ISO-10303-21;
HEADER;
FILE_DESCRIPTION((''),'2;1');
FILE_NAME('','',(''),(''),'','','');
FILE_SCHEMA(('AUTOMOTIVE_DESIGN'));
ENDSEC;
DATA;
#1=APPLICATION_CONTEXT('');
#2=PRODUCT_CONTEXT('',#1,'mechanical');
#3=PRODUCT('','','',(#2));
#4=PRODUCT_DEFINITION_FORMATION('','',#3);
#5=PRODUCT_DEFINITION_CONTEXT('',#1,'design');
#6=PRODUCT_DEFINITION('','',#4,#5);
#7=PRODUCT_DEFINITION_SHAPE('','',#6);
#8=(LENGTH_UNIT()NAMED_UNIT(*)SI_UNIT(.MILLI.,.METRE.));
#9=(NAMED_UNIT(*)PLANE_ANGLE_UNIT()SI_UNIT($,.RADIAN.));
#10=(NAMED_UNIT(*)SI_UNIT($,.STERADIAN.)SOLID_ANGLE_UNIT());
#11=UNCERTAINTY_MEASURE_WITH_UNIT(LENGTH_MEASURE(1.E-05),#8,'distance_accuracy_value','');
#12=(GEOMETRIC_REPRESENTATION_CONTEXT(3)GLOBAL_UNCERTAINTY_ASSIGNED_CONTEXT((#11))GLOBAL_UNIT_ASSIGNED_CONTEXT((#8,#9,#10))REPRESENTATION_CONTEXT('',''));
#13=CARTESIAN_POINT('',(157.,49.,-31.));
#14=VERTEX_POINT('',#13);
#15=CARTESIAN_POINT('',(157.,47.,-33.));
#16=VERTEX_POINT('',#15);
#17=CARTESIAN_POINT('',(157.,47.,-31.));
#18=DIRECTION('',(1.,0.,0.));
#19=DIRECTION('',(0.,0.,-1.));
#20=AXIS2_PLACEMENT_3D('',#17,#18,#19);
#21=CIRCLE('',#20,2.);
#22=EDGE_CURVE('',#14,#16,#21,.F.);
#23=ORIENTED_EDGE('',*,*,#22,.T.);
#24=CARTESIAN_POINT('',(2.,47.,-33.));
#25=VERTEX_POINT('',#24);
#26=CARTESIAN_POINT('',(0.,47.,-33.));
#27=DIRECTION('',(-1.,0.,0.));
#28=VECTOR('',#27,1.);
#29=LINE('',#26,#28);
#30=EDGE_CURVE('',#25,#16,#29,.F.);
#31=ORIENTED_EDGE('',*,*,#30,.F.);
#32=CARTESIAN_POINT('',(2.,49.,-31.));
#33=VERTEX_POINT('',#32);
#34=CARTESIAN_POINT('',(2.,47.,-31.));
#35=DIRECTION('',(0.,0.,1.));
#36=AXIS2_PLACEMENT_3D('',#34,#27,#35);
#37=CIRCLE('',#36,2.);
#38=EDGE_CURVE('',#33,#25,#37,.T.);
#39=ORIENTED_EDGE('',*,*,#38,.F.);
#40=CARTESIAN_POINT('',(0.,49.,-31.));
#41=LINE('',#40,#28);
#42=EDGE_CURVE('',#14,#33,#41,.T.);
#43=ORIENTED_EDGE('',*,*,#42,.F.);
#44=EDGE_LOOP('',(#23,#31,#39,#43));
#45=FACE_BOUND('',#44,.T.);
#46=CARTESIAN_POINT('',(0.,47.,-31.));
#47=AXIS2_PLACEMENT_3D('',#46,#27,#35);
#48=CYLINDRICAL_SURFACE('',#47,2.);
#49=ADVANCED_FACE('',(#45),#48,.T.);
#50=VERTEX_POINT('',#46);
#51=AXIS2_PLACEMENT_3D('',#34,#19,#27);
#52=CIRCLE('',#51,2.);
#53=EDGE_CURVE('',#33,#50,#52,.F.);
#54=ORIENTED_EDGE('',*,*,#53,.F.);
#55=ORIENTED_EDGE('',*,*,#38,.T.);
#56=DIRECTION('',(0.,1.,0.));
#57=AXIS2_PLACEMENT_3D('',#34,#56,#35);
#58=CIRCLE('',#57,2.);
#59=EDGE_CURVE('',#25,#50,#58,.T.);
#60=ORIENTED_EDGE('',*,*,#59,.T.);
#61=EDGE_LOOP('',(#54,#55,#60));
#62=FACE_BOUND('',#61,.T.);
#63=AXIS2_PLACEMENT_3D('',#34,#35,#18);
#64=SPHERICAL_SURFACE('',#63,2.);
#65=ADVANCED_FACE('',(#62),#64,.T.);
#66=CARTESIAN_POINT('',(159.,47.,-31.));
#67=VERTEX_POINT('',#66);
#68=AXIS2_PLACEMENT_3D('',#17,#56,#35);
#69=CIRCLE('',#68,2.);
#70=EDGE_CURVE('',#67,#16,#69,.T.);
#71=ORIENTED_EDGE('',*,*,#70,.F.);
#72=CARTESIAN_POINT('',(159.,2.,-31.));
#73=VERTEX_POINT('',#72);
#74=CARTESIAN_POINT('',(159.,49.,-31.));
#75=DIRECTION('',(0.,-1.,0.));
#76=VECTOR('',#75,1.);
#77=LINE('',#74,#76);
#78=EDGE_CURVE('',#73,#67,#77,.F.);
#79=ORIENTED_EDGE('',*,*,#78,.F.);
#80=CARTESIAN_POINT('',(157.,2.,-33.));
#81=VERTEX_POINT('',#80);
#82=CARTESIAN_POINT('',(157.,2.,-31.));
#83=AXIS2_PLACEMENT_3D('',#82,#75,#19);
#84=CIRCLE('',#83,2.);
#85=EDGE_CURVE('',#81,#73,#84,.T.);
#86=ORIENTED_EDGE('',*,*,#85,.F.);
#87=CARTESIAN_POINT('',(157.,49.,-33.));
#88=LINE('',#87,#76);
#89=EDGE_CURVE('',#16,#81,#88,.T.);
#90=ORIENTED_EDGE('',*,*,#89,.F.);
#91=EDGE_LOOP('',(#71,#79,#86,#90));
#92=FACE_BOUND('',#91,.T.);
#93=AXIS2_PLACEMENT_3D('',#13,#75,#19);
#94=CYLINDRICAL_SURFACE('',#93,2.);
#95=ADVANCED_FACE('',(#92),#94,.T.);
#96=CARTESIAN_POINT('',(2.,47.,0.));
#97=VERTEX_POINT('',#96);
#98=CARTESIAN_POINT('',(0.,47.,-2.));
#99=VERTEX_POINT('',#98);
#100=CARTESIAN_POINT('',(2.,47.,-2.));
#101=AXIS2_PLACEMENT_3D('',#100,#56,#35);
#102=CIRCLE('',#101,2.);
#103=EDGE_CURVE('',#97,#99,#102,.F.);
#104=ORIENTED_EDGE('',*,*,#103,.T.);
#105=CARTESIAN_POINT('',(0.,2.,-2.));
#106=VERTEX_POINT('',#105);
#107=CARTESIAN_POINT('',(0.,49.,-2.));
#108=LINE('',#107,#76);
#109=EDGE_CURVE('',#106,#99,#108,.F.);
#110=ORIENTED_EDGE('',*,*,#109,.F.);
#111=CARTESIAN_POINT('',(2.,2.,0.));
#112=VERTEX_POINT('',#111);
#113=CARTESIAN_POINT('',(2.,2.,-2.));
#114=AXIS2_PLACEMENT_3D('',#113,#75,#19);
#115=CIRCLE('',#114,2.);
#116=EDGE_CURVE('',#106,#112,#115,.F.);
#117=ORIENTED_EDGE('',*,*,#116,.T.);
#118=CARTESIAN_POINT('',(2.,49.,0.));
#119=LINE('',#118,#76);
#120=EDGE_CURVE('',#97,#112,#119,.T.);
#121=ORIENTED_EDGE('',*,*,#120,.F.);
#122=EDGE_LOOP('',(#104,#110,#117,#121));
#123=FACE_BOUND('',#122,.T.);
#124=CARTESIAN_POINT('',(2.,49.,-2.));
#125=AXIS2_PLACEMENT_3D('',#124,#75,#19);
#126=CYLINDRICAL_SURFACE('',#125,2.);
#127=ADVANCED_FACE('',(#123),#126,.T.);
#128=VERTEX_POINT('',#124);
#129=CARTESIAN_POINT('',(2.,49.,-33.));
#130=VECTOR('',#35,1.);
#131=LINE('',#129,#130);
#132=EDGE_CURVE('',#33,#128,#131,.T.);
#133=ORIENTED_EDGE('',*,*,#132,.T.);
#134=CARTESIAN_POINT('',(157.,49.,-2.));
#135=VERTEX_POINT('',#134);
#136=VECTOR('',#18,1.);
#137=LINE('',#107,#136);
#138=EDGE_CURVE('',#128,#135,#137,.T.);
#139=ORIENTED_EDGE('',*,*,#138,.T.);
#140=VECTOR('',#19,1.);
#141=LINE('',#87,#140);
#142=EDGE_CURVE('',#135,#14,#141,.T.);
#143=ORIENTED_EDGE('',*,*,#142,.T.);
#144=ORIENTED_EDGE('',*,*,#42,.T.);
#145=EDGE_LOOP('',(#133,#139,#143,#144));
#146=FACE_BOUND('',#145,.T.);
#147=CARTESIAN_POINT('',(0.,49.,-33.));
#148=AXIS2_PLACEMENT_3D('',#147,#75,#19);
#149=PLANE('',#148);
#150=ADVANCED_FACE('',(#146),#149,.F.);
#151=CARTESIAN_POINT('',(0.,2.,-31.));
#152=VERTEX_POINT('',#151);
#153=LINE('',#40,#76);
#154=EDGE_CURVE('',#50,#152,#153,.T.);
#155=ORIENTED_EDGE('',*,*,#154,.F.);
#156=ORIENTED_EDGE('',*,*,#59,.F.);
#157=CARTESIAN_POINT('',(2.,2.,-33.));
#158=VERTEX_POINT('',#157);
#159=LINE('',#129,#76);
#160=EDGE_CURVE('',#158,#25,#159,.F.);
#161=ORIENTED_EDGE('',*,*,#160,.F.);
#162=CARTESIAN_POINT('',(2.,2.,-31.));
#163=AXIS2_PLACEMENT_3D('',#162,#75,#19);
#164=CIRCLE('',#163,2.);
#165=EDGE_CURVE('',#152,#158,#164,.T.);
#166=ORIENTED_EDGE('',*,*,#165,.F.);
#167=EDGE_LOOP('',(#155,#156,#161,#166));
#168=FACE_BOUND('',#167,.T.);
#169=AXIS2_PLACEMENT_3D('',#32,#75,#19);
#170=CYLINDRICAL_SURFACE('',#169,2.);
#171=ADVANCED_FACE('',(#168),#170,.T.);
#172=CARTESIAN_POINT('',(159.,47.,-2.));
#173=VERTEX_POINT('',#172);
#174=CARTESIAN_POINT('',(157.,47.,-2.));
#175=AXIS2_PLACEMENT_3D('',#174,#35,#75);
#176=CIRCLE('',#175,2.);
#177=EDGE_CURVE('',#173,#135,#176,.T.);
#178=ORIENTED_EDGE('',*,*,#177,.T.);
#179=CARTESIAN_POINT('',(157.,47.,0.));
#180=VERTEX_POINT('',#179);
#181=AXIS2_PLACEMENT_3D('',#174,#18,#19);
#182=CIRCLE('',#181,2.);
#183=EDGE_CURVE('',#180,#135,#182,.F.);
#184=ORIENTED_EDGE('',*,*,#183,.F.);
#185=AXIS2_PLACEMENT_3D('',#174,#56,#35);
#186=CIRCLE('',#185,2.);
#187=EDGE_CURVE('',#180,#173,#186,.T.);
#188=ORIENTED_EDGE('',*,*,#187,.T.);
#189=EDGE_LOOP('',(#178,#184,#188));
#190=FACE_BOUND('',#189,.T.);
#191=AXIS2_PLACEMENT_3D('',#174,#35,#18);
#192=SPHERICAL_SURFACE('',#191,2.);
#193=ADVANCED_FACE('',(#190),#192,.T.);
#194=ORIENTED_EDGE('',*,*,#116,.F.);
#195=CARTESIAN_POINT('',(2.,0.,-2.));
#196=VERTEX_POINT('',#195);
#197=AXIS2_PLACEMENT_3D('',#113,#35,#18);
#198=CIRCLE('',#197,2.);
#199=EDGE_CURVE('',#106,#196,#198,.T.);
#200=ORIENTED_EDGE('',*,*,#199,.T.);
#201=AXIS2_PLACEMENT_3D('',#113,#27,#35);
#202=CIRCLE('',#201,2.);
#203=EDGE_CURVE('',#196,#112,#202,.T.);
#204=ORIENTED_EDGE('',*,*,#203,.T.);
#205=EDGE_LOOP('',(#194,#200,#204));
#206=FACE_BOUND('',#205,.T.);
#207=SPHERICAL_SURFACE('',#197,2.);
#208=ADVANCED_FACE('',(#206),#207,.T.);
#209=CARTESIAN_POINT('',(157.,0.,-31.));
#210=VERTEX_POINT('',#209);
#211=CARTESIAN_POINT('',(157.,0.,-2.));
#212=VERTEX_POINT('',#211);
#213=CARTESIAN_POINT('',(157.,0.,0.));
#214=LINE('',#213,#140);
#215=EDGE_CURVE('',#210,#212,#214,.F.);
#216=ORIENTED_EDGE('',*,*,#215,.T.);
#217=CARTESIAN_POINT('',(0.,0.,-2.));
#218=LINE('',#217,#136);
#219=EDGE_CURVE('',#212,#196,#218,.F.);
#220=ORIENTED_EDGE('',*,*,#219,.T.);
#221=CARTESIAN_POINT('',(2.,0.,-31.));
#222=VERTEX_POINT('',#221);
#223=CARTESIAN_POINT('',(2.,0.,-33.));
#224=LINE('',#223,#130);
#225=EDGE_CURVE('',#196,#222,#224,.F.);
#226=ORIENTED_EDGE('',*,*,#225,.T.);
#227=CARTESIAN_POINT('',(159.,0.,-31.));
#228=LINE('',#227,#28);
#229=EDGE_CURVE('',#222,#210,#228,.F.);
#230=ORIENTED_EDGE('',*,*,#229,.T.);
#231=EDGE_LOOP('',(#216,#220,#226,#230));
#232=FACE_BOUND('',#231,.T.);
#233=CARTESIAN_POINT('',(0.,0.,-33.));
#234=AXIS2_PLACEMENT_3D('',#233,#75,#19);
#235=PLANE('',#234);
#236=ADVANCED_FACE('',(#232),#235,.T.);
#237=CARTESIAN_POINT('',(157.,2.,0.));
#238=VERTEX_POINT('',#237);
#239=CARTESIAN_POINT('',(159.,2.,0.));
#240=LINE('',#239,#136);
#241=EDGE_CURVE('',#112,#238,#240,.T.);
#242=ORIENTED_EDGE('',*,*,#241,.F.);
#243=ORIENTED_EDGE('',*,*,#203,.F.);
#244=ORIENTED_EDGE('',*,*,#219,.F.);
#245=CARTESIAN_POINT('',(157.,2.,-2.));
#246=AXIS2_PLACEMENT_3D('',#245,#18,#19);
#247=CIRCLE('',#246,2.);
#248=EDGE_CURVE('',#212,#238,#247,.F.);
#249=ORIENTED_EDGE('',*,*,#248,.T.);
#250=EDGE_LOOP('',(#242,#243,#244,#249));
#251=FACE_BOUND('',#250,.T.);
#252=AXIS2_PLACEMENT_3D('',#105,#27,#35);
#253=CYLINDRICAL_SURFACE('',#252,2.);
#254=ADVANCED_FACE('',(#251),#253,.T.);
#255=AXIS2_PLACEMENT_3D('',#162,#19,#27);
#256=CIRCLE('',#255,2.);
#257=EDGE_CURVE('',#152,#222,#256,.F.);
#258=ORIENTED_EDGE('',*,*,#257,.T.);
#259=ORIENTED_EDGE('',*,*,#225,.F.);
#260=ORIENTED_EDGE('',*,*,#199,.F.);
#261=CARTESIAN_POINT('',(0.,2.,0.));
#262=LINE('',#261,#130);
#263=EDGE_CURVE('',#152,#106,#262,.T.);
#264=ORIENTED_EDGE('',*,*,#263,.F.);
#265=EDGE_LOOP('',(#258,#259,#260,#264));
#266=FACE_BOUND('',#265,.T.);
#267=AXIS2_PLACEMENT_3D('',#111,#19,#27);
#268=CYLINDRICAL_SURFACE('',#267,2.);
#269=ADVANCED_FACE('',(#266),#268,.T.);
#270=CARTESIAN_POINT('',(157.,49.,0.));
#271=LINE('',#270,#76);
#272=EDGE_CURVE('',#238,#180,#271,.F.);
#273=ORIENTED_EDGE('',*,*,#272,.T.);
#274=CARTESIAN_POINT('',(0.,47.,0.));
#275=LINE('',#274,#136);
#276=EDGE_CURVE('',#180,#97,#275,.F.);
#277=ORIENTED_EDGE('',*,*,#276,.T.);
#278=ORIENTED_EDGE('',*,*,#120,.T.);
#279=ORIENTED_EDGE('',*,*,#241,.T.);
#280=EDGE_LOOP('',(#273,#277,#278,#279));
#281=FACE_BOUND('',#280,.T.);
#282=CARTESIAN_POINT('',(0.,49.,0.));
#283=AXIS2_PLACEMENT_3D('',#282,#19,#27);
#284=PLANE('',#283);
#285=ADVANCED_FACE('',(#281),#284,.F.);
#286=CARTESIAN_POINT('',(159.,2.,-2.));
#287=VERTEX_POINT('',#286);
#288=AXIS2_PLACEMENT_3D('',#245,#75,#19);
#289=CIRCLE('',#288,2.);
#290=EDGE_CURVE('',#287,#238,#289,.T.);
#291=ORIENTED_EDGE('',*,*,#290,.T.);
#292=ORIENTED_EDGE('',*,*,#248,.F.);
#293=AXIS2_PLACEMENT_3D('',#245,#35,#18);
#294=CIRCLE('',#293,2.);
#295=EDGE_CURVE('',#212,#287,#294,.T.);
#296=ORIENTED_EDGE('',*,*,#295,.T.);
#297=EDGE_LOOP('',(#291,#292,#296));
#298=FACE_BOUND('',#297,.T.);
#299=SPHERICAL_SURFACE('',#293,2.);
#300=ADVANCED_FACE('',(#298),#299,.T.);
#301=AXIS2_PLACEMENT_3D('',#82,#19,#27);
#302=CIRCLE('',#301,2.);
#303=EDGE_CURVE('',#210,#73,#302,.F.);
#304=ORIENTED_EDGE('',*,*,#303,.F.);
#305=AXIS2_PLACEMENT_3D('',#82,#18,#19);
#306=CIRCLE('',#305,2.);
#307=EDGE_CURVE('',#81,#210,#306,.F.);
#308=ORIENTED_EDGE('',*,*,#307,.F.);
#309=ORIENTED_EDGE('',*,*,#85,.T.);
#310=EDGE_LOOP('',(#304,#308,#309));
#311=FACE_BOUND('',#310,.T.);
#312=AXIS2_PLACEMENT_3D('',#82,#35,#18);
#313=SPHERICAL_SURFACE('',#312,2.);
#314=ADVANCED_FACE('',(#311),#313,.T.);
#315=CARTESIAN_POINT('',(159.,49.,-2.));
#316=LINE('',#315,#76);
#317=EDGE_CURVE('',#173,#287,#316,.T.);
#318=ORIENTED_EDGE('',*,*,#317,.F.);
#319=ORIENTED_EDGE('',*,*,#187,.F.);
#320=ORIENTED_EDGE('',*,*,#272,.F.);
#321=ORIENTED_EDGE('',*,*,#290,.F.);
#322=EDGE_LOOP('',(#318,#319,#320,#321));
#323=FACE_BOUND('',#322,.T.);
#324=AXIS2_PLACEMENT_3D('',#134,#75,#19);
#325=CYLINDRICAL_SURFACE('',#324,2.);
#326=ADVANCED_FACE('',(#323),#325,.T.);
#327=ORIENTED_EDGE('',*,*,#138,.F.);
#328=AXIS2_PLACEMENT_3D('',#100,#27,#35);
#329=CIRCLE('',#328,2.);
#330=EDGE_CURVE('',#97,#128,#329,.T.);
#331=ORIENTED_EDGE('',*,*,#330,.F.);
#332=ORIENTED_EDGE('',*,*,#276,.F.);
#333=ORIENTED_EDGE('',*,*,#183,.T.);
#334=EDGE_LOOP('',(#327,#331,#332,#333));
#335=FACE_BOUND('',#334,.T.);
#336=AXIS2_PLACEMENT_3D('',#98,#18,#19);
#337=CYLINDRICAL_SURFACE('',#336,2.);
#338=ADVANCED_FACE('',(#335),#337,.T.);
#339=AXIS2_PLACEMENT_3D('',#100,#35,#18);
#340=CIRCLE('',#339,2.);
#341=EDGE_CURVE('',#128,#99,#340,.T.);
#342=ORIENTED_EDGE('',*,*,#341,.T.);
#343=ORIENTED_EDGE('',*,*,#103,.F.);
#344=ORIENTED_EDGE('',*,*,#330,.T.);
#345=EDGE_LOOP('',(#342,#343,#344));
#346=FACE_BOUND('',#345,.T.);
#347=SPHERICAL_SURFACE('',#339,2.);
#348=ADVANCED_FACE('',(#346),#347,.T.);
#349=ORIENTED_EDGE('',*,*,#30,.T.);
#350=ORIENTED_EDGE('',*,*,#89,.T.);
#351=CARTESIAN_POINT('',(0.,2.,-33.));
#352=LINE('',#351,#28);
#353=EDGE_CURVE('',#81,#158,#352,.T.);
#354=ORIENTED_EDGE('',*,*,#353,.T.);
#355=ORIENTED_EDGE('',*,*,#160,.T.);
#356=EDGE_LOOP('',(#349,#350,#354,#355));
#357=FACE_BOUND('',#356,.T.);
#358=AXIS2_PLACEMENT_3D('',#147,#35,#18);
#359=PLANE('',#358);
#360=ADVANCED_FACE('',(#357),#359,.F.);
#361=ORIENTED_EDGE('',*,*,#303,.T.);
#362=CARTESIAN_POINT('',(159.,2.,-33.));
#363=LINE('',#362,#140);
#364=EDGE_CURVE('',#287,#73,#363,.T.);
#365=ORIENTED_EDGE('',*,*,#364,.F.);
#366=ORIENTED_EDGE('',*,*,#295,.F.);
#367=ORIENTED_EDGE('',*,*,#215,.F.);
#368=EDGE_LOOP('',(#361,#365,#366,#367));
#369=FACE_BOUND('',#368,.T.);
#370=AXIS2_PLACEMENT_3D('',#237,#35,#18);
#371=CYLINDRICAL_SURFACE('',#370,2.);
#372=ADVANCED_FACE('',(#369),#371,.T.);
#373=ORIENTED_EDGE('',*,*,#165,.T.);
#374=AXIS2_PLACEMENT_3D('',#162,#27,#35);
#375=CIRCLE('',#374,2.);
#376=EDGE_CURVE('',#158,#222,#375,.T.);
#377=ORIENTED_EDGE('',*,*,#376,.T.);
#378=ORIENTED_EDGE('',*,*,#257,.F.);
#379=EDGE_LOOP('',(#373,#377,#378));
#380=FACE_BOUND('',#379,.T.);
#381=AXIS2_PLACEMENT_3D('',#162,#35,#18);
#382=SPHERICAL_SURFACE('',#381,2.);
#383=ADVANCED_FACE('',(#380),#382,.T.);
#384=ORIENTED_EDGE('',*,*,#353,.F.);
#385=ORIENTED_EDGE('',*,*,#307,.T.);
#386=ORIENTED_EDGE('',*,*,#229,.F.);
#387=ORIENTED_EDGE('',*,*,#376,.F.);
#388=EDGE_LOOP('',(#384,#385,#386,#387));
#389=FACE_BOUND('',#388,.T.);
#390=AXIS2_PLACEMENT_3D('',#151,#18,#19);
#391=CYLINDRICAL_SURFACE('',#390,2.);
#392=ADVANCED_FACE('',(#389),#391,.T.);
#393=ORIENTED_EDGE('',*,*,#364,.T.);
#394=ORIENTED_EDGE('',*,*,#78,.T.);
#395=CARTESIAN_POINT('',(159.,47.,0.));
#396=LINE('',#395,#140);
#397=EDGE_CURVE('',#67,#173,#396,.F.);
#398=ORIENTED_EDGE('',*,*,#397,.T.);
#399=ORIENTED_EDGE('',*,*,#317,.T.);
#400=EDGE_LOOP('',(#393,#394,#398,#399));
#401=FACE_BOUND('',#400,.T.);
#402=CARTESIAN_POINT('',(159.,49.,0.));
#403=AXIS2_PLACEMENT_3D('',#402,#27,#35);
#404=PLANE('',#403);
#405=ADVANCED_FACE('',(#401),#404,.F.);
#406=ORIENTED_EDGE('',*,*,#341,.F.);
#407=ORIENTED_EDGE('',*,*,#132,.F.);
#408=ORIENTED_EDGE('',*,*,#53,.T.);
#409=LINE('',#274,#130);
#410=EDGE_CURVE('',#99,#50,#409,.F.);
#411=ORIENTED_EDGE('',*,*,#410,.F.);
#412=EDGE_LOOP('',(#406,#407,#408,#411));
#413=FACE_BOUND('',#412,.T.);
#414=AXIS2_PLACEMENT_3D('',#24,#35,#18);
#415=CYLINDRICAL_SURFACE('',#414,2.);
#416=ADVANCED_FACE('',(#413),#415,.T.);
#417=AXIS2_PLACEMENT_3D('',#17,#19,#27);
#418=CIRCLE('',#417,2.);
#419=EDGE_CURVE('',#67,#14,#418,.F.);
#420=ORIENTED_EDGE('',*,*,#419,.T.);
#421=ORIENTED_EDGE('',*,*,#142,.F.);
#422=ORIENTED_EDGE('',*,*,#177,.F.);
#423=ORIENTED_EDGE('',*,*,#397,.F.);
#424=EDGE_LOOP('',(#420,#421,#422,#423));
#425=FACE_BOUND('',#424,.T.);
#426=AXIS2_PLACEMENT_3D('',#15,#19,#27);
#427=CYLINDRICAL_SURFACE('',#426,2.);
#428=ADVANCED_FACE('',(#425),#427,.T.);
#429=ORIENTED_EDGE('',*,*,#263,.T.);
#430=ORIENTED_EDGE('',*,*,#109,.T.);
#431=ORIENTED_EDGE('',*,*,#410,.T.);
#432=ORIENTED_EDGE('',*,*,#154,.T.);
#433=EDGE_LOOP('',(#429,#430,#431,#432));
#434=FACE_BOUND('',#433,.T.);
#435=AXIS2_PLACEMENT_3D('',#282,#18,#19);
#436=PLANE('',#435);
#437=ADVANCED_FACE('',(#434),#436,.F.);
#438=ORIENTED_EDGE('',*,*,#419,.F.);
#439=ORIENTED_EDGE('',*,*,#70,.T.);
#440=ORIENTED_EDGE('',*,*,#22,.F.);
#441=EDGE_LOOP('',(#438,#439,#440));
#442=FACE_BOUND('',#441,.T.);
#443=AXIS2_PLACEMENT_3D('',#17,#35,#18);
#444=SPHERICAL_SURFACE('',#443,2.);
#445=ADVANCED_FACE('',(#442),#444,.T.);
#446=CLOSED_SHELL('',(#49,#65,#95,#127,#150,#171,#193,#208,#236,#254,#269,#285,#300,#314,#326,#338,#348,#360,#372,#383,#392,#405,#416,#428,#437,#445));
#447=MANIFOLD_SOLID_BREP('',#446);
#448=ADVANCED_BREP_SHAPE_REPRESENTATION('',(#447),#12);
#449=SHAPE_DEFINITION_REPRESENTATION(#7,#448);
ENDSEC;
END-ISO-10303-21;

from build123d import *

# Parameters (mm, degrees)
SKETCH1_W           = 159
SKETCH1_H           = 33
BOSS_EXTRUDE1_DEPTH = 49
FILLET1_R           = 2


with BuildPart() as part:
    # Sketch1 → Boss-Extrude1 (new body)
    with BuildSketch(Plane(origin=(0, 0, 0), x_dir=(1, 0, 0), z_dir=(0, 1, 0))):
        with Locations((79.5, 16.5)):
            Rectangle(SKETCH1_W, SKETCH1_H)
    extrude(amount=BOSS_EXTRUDE1_DEPTH)

    # Fillet1
    fillet1_edges = [part.edges().sort_by_distance(p)[0] for p in [
        (159, 49, -16.5),
        (79.5, 49, -33),
        (0, 49, -16.5),
        (79.5, 0, -33),
        (159, 0, -16.5),
        (79.5, 0, 0),
        (0, 0, -16.5),
        (79.5, 49, 0),
        (0, 24.5, -33),
        (159, 24.5, -33),
        (159, 24.5, 0),
        (0, 24.5, 0),
    ]]
    fillet(fillet1_edges, radius=FILLET1_R)


solid = part.part
